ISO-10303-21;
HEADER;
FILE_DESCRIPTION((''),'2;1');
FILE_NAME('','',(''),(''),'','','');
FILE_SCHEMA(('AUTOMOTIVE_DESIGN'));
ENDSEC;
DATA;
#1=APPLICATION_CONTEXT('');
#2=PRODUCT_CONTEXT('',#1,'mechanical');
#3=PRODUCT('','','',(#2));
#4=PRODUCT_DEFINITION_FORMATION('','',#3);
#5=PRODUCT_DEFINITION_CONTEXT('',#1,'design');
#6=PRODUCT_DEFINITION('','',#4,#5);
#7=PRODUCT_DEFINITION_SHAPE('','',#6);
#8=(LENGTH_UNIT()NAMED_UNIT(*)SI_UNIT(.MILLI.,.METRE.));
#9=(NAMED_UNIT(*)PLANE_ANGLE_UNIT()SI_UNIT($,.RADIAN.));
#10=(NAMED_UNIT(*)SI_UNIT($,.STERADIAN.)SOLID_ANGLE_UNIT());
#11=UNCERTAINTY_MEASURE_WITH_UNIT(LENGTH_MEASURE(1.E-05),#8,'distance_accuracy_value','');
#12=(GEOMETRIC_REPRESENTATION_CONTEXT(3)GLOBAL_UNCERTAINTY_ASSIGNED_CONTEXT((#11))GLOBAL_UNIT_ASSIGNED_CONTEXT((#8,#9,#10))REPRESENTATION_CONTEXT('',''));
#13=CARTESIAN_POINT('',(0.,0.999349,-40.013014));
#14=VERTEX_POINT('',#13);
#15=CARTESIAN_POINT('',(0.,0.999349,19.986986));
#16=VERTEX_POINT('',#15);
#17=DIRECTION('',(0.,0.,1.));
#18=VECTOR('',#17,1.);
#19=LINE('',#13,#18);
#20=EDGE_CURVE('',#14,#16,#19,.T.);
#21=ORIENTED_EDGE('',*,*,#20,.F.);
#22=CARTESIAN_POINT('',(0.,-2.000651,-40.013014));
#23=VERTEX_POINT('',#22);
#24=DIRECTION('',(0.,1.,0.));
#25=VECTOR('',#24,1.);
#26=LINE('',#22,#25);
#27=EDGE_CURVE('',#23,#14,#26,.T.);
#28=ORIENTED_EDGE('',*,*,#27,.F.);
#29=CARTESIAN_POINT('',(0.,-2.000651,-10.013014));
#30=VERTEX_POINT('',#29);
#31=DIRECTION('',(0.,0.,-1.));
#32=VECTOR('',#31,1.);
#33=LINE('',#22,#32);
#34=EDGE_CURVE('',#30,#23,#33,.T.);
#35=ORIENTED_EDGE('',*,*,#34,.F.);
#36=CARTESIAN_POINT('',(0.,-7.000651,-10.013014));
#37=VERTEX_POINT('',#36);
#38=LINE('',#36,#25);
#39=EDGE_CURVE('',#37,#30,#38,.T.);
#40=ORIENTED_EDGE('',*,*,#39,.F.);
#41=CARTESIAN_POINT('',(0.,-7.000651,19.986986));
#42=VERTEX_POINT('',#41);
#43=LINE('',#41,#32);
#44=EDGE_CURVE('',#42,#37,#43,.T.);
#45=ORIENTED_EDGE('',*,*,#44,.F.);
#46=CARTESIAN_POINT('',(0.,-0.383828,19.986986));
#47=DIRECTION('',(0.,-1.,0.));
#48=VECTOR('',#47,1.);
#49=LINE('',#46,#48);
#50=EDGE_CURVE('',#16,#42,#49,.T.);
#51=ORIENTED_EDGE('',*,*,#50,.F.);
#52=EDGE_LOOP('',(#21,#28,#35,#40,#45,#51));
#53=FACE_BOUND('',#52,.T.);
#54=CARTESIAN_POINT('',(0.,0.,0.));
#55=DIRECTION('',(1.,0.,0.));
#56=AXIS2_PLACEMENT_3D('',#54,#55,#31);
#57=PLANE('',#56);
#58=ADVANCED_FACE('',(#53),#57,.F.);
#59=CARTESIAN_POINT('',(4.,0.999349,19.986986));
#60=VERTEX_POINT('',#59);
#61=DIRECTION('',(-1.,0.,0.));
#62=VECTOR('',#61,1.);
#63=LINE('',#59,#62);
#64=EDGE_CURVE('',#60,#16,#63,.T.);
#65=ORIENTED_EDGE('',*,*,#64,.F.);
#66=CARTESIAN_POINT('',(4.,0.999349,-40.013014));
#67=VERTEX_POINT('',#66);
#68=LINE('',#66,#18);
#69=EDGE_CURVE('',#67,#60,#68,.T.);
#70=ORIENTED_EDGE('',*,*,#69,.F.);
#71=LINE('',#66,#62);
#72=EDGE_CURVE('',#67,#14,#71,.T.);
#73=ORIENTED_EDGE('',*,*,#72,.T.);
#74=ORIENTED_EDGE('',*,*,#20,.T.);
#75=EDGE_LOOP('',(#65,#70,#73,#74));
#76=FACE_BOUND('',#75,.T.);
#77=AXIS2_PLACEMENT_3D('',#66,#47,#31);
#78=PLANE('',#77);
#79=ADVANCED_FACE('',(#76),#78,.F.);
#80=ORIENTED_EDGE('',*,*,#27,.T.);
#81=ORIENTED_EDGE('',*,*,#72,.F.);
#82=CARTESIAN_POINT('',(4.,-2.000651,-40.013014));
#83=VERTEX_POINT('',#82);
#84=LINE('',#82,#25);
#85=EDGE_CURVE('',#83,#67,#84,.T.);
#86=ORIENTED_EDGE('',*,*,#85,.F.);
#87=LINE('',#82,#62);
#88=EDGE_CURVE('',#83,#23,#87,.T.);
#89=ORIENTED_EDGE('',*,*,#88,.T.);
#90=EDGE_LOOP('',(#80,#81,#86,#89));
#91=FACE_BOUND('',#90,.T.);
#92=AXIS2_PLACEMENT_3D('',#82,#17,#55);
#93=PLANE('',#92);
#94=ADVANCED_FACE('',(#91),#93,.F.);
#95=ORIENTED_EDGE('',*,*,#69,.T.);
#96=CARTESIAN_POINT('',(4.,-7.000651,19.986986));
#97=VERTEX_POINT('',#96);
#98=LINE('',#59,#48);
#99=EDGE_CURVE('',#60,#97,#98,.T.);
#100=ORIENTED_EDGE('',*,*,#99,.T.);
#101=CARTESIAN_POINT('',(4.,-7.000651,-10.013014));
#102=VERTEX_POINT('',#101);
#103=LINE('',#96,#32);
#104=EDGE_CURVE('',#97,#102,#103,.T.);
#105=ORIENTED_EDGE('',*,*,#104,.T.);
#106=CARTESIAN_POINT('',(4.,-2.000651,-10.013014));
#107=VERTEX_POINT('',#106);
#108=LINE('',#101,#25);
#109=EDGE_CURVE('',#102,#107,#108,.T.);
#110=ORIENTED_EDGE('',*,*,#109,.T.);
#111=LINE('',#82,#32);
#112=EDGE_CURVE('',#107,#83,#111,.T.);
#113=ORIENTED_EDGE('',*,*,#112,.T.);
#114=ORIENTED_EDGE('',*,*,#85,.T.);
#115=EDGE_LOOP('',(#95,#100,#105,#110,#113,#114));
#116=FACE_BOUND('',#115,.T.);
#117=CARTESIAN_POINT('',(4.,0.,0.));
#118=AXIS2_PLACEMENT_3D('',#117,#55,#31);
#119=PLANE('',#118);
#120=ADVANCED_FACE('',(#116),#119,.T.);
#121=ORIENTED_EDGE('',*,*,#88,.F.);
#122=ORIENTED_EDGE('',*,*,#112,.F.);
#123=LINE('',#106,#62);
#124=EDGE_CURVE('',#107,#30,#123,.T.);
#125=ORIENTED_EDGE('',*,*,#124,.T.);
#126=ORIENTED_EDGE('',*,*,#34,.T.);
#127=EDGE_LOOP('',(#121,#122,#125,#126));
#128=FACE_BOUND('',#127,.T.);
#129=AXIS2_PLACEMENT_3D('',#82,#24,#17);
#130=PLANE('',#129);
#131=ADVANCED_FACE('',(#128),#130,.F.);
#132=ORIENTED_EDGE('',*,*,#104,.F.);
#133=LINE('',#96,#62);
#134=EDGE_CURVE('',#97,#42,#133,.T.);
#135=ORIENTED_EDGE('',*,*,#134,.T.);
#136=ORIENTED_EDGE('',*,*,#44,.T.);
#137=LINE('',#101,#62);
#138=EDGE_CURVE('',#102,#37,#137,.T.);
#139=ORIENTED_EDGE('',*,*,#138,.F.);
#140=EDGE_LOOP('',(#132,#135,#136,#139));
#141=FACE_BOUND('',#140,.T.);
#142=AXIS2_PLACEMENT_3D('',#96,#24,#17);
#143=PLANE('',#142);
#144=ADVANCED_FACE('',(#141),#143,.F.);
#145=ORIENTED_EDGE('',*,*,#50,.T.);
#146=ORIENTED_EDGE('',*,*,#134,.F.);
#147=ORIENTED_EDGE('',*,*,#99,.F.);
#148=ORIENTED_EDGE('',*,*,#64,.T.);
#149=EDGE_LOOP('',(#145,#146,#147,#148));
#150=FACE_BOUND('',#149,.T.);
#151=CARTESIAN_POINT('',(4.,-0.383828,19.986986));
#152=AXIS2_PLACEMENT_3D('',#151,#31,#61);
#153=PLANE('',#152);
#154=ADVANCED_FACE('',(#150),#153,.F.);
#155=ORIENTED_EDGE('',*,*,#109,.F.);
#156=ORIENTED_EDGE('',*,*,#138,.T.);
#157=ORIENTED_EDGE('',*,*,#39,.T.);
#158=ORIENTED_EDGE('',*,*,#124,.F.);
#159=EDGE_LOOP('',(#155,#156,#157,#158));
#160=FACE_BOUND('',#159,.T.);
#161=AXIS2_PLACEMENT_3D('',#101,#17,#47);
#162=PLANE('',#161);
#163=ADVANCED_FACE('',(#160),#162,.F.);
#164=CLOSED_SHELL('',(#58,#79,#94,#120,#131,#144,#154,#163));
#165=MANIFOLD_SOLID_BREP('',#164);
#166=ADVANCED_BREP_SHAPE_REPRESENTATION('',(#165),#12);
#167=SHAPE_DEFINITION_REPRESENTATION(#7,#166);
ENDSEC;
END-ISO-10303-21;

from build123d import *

# Parameters (mm, degrees)
BOSS_EXTRUDE1_DEPTH = 4


with BuildPart() as part:
    # Sketch1 → Boss-Extrude1 (new body)
    with BuildSketch(Plane(origin=(0, 0, 0), x_dir=(0, 0, -1), z_dir=(1, 0, 0))):
        Polygon((-19.986985667, 0.999349283), (-19.986985667, -0.383828287), (-19.986985667, -7.000650717), (10.013014333, -7.000650717), (10.013014333, -2.000650717), (40.013014333, -2.000650717), (40.013014333, 0.999349283), align=None)
    extrude(amount=BOSS_EXTRUDE1_DEPTH)


solid = part.part
